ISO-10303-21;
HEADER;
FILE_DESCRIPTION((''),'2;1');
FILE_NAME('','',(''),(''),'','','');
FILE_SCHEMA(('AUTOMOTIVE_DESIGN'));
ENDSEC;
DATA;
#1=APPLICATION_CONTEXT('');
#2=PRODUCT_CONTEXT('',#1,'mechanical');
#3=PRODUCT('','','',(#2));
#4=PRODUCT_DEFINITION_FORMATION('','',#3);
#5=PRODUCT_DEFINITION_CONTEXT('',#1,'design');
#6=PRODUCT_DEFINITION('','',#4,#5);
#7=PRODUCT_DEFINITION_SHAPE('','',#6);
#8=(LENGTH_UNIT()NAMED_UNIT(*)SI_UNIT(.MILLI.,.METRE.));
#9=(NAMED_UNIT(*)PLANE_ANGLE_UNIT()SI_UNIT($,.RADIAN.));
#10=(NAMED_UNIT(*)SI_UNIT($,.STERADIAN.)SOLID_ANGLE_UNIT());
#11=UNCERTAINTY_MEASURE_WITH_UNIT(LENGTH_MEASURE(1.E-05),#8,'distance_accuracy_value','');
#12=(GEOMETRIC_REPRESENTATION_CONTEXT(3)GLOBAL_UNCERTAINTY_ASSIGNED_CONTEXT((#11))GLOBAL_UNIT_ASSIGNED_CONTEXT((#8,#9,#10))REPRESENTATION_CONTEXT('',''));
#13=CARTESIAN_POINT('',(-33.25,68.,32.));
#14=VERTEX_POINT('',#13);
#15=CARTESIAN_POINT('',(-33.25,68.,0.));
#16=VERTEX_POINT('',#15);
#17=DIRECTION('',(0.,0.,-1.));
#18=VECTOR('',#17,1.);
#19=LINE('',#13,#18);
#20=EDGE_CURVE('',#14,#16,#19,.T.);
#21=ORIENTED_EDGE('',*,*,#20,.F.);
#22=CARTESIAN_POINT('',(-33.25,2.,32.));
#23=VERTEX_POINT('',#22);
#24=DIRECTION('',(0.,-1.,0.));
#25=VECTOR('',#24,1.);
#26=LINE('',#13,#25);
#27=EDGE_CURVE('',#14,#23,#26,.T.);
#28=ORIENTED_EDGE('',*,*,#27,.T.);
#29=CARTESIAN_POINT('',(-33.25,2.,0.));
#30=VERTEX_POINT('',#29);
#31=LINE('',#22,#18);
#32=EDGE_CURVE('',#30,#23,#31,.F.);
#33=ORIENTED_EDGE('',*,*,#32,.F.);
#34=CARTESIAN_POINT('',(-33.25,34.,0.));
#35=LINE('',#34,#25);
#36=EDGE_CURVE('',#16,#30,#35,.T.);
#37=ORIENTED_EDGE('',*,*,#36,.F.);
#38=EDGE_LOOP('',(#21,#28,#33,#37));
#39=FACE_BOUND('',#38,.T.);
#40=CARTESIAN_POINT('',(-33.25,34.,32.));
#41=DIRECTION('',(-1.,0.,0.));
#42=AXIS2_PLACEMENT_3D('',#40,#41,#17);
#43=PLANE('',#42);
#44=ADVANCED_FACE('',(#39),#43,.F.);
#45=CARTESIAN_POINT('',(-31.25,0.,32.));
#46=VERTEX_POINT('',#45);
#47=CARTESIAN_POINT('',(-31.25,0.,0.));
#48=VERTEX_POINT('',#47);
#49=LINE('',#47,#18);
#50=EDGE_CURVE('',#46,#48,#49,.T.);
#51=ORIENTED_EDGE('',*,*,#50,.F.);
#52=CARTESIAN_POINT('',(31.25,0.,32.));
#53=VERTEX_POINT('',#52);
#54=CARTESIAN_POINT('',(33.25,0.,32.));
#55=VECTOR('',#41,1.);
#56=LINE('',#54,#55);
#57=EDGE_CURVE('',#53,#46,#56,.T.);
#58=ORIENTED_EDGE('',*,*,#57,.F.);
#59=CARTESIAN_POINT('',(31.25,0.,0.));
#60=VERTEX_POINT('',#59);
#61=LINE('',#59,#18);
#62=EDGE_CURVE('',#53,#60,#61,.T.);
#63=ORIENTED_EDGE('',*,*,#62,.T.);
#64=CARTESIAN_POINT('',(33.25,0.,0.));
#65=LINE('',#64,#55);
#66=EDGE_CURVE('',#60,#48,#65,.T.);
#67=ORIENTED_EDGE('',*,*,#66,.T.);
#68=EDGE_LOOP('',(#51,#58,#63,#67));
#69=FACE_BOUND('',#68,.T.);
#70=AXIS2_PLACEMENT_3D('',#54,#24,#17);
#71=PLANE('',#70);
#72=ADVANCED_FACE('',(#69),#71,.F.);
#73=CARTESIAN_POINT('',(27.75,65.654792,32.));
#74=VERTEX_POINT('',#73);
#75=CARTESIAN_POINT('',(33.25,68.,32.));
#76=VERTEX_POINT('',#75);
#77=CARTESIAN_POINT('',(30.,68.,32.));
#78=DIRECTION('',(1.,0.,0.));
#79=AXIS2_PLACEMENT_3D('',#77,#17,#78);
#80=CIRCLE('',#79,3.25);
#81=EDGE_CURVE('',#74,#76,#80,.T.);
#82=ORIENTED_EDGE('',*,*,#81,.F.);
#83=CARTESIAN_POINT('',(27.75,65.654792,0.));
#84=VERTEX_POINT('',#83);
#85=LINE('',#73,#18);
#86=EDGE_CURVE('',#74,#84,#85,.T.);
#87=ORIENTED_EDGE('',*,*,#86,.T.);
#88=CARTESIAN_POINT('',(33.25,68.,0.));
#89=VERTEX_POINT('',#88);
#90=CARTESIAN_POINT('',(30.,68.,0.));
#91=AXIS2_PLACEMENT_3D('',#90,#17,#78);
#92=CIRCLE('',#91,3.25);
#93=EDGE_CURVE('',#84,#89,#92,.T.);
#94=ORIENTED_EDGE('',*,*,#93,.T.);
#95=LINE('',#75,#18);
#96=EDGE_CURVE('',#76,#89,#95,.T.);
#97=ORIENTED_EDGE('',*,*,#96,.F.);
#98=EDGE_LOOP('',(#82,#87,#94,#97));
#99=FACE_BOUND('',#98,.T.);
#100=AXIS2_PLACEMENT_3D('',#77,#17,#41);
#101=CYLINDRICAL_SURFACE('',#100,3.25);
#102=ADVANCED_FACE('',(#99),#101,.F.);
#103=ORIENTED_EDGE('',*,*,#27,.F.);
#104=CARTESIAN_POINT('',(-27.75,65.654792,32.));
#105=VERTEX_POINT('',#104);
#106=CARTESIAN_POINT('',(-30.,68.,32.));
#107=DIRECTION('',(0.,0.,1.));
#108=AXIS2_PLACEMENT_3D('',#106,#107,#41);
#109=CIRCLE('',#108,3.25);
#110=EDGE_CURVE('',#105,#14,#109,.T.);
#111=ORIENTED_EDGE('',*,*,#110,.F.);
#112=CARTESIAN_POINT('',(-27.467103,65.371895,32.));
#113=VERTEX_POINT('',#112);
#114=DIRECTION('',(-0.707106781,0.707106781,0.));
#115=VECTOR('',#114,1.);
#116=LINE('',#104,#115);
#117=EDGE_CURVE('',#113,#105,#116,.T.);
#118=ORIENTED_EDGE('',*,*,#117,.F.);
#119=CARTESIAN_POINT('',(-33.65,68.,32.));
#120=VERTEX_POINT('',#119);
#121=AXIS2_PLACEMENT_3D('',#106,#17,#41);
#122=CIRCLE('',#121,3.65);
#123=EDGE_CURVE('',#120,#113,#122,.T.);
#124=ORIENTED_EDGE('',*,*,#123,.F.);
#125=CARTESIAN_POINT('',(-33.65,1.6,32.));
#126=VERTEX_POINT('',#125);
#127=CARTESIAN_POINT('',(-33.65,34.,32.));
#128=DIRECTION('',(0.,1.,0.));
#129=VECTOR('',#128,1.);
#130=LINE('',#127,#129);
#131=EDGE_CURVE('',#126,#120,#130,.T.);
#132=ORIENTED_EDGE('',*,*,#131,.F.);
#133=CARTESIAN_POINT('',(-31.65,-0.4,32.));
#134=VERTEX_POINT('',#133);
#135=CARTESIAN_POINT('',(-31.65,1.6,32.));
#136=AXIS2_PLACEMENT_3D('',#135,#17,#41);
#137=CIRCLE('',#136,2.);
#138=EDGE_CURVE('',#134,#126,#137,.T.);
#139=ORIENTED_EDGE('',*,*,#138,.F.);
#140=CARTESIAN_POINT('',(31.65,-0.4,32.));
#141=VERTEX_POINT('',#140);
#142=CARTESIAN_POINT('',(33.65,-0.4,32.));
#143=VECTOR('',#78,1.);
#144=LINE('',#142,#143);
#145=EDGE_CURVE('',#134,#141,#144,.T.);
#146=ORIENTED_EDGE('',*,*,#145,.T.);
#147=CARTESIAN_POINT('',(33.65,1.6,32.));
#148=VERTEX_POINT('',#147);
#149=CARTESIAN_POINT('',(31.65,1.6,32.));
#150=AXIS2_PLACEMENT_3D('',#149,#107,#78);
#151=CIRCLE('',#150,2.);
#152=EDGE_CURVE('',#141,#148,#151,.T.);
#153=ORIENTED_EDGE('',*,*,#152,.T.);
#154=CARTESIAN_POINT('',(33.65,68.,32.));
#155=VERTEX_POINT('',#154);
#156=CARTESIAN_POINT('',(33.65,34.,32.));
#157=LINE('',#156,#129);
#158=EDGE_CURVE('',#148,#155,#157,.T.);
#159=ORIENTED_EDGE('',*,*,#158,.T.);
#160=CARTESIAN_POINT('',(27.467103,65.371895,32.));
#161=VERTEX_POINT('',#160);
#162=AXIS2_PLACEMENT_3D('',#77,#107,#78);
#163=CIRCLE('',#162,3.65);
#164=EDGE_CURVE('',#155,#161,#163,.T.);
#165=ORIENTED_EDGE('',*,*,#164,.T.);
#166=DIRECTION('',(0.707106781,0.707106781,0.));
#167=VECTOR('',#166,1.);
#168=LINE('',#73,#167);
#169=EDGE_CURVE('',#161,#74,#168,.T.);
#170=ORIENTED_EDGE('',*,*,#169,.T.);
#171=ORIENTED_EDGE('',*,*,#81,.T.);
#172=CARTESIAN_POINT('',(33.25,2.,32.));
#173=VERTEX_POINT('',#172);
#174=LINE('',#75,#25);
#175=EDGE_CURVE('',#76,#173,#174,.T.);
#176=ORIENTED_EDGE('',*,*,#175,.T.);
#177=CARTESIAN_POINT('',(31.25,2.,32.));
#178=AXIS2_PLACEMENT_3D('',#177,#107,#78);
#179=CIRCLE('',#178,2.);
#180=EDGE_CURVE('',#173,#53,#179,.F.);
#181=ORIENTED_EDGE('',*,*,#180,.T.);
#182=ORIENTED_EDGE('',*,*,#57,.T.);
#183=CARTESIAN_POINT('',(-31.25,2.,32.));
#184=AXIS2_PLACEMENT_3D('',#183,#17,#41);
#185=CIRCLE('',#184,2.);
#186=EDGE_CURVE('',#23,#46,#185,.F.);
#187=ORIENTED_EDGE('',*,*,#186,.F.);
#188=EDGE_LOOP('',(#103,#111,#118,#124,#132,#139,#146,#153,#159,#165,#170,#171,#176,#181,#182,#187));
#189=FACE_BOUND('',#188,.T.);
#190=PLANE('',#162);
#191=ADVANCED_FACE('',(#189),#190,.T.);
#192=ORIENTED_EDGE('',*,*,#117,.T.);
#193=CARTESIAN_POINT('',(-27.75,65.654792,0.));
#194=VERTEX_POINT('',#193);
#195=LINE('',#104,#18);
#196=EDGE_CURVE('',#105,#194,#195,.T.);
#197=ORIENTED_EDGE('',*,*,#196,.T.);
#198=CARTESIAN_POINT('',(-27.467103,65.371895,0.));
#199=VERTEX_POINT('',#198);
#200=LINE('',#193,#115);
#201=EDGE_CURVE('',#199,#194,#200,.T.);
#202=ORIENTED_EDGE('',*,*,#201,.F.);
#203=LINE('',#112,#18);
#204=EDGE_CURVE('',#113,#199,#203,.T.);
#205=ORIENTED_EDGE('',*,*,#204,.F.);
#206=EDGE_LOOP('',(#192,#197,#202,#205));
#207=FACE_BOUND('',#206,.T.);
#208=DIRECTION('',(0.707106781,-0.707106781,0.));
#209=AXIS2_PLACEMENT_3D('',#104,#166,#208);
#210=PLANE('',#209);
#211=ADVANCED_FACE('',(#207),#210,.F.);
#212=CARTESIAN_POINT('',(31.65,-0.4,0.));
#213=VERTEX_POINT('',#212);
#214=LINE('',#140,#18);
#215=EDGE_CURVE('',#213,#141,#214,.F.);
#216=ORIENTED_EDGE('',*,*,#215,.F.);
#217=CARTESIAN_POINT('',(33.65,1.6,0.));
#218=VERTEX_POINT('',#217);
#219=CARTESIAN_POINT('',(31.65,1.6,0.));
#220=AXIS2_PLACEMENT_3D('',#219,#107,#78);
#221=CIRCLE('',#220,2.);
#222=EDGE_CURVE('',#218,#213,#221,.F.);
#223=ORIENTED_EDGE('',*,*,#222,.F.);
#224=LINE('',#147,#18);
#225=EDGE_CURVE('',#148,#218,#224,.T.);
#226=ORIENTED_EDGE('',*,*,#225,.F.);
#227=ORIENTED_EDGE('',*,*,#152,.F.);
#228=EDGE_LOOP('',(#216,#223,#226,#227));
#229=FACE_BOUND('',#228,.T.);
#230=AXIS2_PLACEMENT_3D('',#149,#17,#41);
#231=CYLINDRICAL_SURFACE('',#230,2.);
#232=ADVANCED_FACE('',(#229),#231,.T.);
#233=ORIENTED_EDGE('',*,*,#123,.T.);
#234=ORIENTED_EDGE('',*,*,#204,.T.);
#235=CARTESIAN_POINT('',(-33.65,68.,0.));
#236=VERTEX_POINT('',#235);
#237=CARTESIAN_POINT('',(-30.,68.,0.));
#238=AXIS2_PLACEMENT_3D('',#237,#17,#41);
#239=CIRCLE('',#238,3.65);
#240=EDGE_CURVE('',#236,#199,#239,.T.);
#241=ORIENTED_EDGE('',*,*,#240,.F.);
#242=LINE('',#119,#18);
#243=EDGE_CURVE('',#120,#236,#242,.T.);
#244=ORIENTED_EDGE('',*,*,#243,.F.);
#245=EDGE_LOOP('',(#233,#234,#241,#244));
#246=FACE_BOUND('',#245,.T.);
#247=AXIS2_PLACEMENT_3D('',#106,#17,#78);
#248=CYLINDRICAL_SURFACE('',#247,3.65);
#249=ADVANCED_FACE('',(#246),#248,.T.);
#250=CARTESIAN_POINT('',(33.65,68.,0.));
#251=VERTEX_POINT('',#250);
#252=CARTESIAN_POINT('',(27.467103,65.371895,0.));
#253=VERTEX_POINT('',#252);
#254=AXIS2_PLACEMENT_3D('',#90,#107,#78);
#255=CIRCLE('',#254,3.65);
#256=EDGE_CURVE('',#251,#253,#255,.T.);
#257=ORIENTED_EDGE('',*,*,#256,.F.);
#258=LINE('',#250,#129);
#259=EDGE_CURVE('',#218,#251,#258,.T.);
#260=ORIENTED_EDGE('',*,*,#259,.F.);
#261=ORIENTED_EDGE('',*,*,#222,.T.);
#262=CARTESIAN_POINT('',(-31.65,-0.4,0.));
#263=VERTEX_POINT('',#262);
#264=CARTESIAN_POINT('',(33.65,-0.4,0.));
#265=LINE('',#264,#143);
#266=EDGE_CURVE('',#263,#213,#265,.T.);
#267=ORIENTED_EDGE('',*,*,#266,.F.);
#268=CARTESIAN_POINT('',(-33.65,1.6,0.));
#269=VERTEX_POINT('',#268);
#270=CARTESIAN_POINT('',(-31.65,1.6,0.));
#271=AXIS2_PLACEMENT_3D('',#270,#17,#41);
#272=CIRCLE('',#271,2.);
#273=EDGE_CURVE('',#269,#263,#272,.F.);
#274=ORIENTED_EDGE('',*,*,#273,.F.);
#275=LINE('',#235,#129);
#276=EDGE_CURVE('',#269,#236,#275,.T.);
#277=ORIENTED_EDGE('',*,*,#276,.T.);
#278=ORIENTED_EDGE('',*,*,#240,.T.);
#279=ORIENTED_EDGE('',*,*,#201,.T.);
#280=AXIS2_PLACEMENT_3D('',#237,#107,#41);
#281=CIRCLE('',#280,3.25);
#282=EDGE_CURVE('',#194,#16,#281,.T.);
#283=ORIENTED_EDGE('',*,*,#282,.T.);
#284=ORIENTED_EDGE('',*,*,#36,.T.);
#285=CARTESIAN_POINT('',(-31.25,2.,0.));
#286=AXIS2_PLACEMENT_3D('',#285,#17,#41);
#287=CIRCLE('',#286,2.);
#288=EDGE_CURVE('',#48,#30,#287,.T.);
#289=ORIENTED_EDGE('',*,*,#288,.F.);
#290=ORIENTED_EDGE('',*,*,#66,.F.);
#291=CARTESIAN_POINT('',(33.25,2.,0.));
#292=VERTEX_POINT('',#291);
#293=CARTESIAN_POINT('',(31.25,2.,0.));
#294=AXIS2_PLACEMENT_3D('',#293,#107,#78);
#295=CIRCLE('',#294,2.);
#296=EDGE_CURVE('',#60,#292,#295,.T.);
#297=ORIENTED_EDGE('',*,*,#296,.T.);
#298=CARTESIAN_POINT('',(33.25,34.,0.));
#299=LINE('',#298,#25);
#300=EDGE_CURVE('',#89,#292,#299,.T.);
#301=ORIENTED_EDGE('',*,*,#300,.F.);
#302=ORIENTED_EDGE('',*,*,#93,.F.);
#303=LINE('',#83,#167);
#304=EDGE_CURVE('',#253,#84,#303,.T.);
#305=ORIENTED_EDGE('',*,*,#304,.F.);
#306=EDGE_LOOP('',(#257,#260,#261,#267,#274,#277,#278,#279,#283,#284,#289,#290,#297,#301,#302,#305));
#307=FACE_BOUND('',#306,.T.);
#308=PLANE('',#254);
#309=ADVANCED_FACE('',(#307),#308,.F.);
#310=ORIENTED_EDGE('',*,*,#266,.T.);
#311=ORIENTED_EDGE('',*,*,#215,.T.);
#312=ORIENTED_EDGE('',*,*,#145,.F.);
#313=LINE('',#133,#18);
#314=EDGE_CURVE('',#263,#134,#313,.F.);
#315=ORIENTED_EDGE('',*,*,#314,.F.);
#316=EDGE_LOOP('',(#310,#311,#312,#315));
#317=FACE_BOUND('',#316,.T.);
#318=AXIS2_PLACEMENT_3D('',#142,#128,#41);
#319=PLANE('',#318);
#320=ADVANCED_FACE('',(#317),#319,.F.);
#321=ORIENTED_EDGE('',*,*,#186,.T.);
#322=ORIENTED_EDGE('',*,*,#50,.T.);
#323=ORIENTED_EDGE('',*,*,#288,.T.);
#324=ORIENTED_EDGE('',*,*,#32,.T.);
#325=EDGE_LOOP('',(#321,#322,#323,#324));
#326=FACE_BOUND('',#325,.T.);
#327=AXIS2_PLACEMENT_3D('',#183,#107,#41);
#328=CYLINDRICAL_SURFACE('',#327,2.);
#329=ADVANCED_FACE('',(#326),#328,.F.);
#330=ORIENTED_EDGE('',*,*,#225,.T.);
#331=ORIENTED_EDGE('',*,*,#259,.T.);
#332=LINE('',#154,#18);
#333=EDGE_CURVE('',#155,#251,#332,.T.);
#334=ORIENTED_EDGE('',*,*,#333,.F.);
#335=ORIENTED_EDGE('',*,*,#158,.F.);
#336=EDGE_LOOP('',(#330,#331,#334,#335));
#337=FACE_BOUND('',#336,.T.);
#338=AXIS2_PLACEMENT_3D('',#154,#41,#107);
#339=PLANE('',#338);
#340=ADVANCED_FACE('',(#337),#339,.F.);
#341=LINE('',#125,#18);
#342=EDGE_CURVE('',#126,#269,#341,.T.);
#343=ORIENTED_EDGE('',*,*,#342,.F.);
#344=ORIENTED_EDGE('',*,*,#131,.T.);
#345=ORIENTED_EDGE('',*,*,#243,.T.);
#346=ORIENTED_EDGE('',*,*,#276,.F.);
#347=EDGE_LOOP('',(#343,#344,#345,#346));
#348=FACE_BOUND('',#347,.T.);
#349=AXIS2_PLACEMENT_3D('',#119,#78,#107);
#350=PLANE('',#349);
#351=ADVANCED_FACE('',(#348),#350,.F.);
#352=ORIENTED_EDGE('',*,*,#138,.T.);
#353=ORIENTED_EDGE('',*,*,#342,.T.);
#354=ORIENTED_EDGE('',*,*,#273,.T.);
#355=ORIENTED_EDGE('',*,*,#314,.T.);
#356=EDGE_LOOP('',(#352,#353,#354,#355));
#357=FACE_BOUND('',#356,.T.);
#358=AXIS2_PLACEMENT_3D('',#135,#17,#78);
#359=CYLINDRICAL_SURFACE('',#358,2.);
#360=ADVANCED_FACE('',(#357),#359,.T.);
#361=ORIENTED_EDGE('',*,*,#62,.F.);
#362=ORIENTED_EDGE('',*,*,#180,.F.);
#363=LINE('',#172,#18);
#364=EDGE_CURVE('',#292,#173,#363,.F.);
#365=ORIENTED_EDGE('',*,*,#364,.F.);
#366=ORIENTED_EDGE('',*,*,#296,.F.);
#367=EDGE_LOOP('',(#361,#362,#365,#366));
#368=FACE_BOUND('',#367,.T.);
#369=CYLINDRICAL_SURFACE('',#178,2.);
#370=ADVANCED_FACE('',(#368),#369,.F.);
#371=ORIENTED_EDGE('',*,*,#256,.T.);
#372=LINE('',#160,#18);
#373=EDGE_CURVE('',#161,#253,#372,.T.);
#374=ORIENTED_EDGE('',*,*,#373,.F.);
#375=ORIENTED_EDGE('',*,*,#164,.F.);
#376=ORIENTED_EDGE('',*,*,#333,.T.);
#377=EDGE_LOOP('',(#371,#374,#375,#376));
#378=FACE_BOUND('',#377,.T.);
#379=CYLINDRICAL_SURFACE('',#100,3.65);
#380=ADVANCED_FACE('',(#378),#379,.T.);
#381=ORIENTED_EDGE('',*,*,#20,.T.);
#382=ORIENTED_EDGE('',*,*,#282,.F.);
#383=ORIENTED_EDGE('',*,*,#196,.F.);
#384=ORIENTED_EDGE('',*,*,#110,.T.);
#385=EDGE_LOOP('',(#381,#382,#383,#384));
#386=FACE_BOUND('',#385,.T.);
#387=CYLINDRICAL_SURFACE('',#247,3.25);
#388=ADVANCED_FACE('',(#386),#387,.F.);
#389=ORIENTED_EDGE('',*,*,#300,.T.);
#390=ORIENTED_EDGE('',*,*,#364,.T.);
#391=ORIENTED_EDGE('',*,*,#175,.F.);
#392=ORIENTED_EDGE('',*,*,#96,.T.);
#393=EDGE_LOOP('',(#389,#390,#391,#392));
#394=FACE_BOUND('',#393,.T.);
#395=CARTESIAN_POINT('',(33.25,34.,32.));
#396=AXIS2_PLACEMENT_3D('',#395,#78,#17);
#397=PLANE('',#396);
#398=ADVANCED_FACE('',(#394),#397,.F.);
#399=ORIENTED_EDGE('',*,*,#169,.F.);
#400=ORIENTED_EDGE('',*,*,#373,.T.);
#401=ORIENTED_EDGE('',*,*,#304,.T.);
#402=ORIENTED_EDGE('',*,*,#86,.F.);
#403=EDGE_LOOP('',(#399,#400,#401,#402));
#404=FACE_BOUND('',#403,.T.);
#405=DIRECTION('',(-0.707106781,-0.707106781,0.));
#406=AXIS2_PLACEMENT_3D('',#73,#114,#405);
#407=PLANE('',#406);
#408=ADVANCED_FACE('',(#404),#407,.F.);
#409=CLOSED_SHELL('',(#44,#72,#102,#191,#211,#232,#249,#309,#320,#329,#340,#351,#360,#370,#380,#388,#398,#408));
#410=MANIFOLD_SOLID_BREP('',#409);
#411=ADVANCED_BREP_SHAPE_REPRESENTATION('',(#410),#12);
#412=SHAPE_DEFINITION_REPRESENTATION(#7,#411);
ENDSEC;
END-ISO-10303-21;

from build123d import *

# Parameters (mm, degrees)
BOSS_EXTRU_2_DEPTH = 32
CONG_2_R           = 2


with BuildPart() as part:
    # Esquisse1 → Boss.-Extru.2 (new body)
    with BuildSketch(Plane.XY):
        with BuildLine():
            Line((33.25, 68), (33.25, 34))
            Line((33.25, 34), (33.25, 0))
            Line((33.25, 0), (0, 0))
            Line((0, 0), (0, -0.4))
            Line((0, -0.4), (33.65, -0.4))
            Line((33.65, -0.4), (33.65, 34))
            Line((33.65, 34), (33.65, 68))
            ThreePointArc((33.65, 68), (28.572164781, 71.359134798), (27.46710324, 65.37189536))
            Line((27.46710324, 65.37189536), (27.75, 65.65479212))
            ThreePointArc((27.75, 65.65479212), (28.725245122, 70.989565186), (33.25, 68))
        make_face()
    extrude(amount=BOSS_EXTRU_2_DEPTH)

    # Congé2
    cong_2_edges = [part.edges().sort_by_distance(p)[0] for p in [
        (33.25, 0, 16),
        (33.65, -0.4, 16),
    ]]
    fillet(cong_2_edges, radius=CONG_2_R)

    # Symétrie2: part across plane


with BuildPart() as part_1:
    add(part.part)
    add(part.part.mirror(Plane(origin=(0, -0.4, 32), x_dir=(0, 0, 1), z_dir=(1, 0, 0))))


solid = part_1.part
